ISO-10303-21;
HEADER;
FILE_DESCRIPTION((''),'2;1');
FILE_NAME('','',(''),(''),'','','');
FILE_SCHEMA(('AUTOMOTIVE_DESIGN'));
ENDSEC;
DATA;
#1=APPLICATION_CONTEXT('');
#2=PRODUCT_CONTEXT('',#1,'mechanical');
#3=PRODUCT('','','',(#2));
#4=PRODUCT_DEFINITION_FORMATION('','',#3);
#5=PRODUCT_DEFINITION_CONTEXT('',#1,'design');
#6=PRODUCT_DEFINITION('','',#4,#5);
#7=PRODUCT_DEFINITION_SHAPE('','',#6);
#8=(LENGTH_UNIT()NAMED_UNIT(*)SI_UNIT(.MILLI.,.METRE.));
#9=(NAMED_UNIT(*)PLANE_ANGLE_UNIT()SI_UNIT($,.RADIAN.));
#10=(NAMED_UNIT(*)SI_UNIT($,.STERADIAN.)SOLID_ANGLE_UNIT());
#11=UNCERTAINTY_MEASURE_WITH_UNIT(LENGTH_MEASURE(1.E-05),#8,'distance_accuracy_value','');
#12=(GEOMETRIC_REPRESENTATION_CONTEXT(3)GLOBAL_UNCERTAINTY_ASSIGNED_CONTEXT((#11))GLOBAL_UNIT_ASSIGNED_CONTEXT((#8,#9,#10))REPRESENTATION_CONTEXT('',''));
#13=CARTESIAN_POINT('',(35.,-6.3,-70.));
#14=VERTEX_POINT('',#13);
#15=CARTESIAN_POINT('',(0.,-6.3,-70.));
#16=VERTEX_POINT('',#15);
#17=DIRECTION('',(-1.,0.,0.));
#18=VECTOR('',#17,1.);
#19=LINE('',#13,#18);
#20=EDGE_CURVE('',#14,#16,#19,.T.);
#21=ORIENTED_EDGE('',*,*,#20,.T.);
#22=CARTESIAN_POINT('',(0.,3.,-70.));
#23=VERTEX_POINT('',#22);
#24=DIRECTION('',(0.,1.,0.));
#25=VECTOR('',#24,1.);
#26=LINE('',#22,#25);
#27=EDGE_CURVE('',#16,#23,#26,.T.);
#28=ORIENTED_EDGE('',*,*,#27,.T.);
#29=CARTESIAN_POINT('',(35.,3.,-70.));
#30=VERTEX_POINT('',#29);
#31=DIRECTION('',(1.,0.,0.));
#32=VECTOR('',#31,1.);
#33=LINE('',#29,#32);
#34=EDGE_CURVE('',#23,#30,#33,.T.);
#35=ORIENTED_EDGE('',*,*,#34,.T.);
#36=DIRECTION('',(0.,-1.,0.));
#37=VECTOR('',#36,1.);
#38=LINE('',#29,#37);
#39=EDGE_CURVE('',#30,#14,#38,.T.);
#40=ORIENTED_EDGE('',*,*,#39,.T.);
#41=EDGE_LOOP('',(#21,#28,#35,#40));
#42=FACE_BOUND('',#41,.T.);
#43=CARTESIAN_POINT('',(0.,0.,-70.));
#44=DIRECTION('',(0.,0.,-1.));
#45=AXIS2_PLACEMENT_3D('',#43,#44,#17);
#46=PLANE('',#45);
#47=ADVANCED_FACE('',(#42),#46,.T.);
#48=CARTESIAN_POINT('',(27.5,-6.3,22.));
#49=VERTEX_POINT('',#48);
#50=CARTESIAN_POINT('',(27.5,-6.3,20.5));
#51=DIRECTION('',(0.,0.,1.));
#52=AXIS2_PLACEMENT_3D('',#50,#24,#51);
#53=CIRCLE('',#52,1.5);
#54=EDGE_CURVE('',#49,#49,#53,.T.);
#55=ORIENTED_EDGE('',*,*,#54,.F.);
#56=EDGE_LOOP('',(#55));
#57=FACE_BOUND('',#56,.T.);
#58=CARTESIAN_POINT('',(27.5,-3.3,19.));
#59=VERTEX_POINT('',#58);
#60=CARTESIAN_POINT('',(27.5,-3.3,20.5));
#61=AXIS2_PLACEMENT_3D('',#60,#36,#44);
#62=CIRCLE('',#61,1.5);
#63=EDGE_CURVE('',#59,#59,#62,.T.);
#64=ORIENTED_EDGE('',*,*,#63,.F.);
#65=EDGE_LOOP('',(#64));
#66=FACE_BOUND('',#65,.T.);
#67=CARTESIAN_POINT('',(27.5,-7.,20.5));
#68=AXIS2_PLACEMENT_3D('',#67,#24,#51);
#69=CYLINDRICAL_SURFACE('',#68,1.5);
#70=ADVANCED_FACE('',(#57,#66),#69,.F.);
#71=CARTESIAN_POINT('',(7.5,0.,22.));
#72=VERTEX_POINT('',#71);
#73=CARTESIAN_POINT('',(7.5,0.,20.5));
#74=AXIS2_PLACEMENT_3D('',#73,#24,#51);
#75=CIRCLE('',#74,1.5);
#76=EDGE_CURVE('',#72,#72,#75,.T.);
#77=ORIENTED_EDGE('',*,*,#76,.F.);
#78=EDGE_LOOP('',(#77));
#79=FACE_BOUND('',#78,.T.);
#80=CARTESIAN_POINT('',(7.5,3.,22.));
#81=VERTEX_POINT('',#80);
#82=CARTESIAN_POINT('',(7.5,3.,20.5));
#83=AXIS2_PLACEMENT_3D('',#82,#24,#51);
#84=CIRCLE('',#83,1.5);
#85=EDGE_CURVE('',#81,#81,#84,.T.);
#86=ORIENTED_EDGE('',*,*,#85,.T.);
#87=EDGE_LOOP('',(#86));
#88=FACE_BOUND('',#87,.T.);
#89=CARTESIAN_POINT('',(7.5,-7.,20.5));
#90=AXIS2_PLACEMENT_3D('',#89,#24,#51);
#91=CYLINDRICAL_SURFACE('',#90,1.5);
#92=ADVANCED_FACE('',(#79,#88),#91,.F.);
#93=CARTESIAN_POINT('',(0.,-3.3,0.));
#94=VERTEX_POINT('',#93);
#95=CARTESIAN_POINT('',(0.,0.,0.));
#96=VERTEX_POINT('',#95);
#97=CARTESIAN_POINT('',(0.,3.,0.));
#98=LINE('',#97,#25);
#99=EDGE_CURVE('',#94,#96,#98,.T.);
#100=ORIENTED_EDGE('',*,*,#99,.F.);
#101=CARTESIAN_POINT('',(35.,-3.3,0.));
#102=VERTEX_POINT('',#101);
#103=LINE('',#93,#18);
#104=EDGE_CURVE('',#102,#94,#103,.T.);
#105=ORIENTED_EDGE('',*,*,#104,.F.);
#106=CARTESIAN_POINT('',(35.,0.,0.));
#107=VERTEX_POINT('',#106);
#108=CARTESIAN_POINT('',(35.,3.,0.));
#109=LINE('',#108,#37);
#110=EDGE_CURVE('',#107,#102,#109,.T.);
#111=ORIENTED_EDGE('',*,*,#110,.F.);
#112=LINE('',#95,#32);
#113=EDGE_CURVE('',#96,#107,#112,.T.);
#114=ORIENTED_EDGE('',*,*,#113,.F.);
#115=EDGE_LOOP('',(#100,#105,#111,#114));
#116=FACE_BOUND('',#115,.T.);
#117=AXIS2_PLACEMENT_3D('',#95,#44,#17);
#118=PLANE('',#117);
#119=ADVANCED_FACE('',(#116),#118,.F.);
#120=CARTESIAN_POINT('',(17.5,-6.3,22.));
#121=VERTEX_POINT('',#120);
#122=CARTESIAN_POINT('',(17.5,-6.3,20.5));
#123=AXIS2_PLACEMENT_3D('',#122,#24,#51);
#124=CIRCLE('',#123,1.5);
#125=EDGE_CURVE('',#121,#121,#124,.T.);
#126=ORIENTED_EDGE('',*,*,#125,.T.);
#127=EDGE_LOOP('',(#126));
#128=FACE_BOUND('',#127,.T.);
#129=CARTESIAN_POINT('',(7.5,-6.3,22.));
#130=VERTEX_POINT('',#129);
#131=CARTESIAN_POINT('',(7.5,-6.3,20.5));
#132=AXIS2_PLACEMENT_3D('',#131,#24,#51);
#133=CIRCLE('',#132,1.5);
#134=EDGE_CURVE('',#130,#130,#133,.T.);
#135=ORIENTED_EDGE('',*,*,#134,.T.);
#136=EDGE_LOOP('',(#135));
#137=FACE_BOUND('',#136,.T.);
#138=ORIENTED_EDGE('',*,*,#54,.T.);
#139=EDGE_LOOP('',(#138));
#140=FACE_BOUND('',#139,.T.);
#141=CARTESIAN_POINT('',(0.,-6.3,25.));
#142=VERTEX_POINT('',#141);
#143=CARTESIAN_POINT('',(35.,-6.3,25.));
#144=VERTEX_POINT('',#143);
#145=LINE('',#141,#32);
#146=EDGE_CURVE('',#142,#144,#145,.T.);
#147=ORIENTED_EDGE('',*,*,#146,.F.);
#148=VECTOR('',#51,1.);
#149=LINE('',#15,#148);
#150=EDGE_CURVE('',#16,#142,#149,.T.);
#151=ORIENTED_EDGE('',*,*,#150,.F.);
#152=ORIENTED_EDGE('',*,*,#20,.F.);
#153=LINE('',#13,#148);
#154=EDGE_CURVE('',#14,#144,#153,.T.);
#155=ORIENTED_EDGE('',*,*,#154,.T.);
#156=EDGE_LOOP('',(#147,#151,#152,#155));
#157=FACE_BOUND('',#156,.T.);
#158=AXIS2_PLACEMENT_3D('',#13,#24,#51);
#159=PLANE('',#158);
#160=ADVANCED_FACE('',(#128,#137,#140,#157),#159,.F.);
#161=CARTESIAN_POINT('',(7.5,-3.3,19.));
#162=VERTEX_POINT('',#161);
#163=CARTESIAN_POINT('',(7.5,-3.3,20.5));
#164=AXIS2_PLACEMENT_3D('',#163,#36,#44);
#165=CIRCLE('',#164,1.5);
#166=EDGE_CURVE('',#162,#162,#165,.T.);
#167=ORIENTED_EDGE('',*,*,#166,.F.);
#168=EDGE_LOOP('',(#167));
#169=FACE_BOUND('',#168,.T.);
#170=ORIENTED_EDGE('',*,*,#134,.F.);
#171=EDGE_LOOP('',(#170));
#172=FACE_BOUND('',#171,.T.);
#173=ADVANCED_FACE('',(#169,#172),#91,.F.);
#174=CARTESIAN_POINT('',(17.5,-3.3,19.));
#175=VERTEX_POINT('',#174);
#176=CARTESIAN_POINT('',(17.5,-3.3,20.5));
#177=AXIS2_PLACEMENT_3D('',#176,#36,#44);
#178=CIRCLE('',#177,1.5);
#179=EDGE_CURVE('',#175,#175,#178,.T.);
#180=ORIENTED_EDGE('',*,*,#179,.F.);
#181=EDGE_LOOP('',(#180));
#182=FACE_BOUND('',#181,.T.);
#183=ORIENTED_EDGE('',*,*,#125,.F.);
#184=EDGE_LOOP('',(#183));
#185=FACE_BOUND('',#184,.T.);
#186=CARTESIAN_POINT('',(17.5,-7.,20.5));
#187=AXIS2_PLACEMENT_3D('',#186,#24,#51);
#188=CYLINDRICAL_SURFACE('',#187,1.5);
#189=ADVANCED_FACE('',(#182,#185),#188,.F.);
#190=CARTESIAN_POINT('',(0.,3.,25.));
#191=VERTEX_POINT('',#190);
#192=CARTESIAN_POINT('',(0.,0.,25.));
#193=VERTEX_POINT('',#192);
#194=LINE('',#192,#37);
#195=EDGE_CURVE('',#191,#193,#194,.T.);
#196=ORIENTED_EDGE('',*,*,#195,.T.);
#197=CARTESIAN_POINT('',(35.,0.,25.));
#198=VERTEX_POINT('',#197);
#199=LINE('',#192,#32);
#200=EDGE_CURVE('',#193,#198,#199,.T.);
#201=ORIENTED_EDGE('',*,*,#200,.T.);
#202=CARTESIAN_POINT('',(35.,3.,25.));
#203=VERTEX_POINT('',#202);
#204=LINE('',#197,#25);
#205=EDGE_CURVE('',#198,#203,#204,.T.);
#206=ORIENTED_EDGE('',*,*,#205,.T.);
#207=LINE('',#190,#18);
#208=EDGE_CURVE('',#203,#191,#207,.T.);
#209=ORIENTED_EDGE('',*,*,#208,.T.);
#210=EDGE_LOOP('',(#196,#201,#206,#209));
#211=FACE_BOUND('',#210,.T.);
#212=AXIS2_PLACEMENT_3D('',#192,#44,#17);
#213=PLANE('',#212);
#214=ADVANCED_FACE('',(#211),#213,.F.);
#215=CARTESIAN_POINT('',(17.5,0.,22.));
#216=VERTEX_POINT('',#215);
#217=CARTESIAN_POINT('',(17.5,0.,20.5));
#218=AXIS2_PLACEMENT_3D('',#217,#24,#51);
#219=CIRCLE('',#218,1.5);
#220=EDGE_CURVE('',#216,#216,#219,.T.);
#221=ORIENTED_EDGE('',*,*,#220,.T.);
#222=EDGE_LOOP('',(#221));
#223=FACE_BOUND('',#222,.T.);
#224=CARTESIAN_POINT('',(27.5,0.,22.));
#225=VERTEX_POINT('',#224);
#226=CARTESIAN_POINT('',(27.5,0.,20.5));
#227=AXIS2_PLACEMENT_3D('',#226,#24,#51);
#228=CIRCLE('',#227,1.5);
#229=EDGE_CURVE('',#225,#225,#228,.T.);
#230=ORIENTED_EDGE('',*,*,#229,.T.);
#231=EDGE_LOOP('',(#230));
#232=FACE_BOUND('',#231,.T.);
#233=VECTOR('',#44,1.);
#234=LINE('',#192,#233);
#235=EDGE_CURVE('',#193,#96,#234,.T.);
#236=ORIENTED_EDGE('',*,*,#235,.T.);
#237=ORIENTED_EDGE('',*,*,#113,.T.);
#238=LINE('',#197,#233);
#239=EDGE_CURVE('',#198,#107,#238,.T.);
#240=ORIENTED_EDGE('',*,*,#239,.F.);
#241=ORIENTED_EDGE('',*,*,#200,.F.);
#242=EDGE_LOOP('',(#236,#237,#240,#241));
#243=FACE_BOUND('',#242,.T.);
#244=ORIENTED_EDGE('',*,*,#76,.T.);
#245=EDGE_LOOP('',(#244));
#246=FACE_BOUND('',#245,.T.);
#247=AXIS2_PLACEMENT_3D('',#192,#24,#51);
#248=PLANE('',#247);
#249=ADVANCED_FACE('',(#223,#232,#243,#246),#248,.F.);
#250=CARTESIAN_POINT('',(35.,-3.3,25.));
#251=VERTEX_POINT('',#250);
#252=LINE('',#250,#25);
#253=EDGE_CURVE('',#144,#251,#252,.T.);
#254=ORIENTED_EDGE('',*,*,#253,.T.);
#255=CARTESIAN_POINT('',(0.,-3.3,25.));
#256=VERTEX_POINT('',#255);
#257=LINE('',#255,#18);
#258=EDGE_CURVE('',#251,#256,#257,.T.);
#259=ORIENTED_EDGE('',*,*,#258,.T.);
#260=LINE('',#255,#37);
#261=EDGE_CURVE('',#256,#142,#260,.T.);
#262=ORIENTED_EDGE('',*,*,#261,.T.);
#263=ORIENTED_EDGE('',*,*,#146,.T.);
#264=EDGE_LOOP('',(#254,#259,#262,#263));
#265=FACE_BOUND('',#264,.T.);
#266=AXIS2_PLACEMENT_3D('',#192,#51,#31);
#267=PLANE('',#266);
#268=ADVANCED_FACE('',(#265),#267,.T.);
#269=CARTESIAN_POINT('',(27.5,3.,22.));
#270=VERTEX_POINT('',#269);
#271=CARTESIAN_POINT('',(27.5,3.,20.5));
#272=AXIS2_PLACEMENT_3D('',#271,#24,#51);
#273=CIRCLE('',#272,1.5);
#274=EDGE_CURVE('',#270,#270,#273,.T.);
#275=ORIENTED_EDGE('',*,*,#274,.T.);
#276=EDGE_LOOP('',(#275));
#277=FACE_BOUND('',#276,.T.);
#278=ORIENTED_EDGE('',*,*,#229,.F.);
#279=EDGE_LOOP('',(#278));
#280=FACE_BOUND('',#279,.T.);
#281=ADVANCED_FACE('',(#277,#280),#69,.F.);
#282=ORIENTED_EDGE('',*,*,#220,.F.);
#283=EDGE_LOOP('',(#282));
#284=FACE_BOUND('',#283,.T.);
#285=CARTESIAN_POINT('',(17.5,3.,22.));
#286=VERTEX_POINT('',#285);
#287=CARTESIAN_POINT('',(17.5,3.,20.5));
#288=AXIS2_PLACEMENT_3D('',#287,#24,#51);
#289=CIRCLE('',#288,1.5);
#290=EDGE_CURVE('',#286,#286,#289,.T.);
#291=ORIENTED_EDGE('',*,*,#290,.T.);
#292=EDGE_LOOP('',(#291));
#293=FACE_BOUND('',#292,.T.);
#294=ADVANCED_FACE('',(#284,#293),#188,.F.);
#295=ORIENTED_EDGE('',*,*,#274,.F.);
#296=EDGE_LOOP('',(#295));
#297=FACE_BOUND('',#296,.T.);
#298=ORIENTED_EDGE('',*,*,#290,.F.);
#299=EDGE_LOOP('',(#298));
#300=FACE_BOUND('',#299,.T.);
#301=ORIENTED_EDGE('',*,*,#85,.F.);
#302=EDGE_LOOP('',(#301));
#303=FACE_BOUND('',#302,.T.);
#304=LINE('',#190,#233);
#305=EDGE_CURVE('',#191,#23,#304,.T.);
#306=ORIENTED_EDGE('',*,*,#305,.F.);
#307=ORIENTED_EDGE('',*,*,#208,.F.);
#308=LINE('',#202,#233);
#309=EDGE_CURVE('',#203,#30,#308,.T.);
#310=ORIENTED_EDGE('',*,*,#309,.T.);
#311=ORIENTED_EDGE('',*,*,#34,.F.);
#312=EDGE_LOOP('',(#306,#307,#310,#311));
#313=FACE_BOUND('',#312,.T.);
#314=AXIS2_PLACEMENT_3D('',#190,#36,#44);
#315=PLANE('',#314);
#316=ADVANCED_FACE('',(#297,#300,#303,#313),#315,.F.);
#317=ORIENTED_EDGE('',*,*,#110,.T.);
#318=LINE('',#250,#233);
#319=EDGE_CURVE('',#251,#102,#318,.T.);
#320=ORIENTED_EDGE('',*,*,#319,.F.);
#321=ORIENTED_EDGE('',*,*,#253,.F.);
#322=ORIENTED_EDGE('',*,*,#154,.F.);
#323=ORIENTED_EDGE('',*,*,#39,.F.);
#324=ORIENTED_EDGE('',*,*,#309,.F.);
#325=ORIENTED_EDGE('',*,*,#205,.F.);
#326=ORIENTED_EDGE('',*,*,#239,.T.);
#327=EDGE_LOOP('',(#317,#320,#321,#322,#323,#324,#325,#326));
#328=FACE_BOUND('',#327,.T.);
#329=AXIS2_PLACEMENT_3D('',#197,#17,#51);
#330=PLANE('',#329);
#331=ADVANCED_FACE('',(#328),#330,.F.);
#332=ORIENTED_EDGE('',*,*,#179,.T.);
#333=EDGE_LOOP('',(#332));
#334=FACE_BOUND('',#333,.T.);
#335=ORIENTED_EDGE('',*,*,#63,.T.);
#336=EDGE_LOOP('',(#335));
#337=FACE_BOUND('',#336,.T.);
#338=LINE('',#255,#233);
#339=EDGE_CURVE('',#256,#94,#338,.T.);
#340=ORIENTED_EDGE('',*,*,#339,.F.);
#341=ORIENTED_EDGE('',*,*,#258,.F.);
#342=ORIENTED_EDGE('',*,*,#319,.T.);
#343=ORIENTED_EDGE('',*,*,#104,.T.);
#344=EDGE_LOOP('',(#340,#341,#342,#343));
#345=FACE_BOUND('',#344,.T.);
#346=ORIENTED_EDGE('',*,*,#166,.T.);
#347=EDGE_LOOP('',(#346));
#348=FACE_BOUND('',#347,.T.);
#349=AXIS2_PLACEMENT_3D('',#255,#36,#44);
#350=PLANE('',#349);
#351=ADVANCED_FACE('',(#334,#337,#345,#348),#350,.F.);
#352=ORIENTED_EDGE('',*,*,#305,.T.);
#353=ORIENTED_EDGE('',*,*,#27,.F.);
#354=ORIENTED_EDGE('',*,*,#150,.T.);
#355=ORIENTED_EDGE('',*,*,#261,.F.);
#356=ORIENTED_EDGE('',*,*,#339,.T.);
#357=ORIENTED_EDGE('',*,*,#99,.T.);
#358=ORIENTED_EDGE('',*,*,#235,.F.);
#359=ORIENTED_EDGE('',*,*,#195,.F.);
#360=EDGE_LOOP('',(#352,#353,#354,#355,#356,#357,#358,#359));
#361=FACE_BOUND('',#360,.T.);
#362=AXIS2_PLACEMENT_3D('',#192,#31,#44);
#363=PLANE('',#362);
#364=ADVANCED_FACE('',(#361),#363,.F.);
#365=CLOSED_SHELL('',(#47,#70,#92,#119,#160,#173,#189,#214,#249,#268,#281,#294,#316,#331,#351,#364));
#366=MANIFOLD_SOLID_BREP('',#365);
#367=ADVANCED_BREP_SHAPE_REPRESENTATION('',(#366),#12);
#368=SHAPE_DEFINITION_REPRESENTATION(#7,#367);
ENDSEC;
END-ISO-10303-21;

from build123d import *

# Parameters (mm, degrees)
SKETCH_1_W          = 35
SKETCH_1_H          = 3
EXTRUDE_1_DEPTH     = 25
EXTRUDE_1_2_DEPTH   = 25
SKETCH_2_W          = 35
SKETCH_2_H          = 9.3
EXTRUDE_2_DEPTH     = 70
SKETCH_3_R          = 1.5
CUT_EXTRUDE_1_DEPTH = 10


with BuildPart() as part:
    # 草图1 → 凸台-拉伸1 (new body)
    with BuildSketch(Plane.XY):
        with Locations((17.5, 1.5)):
            Rectangle(SKETCH_1_W, SKETCH_1_H)
    extrude(amount=EXTRUDE_1_DEPTH)



with BuildPart() as body_2:
    # 草图1 → Extrude 1 2 (new body)
    with BuildSketch(Plane.XY):
        with Locations((17.5, -4.8)):
            Rectangle(SKETCH_1_W, SKETCH_1_H)
    extrude(amount=EXTRUDE_1_2_DEPTH)


with BuildPart() as part_1:
    add(part.part)

    add(body_2.part)  # 凸台-拉伸2 merges body 2
    # 草图2 → 凸台-拉伸2 (add)
    with BuildSketch(Plane(origin=(0, 0, 0), x_dir=(-1, 0, 0), z_dir=(0, 0, -1))):
        with Locations((-17.5, -1.65)):
            Rectangle(SKETCH_2_W, SKETCH_2_H)
    extrude(amount=EXTRUDE_2_DEPTH)

    # 草图3 → 切除-拉伸1 (cut)
    with BuildSketch(Plane(origin=(0, 3, 0), x_dir=(1, 0, 0), z_dir=(0, 1, 0))):
        with Locations(Location((7.5, -20.5, 0), (0, 0, 270))):
            Circle(SKETCH_3_R)
        with Locations(Location((17.5, -20.5, 0), (0, 0, 270))):
            Circle(SKETCH_3_R)
        with Locations(Location((27.5, -20.5, 0), (0, 0, 270))):
            Circle(SKETCH_3_R)
    extrude(amount=-CUT_EXTRUDE_1_DEPTH, mode=Mode.SUBTRACT)


solid = part_1.part
